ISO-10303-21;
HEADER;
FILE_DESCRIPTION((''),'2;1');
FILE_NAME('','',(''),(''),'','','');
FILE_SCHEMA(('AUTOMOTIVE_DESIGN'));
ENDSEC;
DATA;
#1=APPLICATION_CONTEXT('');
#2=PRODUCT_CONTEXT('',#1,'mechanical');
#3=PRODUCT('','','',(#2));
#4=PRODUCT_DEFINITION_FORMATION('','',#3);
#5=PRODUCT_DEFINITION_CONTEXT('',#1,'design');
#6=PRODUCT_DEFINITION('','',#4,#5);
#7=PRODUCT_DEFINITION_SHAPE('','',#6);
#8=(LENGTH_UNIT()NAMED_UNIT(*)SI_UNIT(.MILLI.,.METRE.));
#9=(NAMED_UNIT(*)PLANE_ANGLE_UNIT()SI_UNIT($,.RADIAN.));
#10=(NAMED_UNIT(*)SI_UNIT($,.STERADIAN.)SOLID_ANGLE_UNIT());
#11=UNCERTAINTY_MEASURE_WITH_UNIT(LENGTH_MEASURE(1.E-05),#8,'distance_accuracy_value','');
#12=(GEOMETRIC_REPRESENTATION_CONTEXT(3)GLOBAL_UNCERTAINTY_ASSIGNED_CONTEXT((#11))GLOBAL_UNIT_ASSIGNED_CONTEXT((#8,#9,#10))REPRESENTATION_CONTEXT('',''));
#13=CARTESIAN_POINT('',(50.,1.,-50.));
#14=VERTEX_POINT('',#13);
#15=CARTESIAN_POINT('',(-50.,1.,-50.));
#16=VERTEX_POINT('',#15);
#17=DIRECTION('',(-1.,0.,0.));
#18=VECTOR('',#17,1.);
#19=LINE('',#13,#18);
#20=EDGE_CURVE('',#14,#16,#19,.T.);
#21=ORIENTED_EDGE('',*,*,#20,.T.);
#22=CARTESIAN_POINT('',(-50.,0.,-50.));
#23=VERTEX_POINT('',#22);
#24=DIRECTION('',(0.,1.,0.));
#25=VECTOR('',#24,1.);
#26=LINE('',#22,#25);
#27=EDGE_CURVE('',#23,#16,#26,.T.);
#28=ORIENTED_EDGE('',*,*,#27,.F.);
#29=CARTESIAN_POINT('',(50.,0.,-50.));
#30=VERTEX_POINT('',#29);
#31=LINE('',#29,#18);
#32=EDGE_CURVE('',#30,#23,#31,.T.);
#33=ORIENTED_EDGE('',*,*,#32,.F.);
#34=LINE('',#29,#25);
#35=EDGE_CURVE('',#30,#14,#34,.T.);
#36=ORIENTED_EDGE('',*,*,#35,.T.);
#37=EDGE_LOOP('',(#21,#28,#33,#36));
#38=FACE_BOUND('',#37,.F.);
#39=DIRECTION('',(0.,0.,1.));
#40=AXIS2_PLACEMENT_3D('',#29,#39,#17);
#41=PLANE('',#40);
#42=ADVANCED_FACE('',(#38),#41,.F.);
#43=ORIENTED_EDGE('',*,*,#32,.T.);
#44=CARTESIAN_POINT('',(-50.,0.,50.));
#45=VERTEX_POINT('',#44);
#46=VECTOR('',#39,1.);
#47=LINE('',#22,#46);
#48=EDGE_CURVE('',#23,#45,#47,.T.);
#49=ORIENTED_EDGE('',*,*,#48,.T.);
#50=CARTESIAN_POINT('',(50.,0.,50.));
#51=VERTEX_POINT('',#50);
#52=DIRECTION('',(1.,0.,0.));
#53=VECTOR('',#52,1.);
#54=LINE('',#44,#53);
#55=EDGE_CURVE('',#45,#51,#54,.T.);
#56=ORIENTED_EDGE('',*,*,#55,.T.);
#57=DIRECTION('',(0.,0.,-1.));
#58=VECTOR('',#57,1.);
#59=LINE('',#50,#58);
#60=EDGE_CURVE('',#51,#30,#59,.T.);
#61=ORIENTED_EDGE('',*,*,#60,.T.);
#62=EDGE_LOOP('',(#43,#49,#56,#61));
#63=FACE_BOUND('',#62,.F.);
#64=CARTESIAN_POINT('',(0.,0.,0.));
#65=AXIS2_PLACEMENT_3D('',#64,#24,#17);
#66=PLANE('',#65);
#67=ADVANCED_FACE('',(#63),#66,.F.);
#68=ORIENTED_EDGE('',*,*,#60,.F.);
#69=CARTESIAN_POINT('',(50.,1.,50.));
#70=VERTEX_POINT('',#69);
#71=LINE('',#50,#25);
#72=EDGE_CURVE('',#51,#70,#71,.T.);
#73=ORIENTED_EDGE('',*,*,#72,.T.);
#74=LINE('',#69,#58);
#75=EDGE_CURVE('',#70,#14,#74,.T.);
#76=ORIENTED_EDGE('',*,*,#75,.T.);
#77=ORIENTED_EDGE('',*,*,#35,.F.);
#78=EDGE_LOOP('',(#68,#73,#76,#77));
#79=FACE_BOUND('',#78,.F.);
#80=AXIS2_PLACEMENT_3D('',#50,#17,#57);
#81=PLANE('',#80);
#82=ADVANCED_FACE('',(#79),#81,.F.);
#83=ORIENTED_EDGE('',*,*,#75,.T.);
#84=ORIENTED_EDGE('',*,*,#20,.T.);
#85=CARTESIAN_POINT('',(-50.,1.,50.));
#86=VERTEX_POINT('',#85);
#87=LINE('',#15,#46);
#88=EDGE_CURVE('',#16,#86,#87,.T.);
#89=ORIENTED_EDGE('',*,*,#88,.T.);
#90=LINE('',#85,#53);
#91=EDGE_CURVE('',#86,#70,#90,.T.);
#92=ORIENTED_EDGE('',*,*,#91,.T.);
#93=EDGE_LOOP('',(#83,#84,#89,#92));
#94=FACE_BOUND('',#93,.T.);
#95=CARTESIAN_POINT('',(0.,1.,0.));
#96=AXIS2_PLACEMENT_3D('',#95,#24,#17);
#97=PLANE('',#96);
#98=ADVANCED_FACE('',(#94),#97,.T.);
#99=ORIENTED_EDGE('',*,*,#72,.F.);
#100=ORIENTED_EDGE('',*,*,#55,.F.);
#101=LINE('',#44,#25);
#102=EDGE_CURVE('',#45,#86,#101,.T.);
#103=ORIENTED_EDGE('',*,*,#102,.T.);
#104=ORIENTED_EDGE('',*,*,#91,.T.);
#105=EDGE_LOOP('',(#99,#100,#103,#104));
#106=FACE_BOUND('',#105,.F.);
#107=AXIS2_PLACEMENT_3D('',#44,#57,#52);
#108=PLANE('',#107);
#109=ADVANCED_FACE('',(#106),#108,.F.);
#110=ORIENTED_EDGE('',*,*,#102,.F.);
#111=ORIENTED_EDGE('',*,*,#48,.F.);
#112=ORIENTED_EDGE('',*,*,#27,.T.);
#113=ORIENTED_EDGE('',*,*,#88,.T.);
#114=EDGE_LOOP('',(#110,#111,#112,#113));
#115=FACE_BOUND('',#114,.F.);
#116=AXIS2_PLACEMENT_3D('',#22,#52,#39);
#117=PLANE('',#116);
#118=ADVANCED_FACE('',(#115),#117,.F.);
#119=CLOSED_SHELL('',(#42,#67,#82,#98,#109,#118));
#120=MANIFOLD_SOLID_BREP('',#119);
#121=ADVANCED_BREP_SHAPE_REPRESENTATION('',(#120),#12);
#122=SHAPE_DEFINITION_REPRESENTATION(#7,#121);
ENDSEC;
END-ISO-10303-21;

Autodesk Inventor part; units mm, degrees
ref_plane "YZ Plane" through (0, 0, 0) normal (1, 0, 0) x (0, 1, 0)
ref_plane "XZ Plane" through (0, 0, 0) normal (0, 1, 0) x (-1, 0, 0)
ref_plane "XY Plane" through (0, 0, 0) normal (0, 0, 1) x (1, 0, 0)
sketch "Szkic1" plane through (0, 0, 0) normal (0, 1, 0) x (-1, 0, 0)
  line L0 (50, 50) -> (-50, 50)
  line L1 (-50, 50) -> (-50, -50)
  line L2 (-50, -50) -> (50, -50)
  line L3 (50, -50) -> (50, 50)
  point P0 (0, 0)
  dimension "d0" = 50
  dimension "d1" = 100
  dimension "d2" = 100
  dimension "d3" = 50
extrude "Wyciągnięcie proste1" add sketch "Szkic1" along normal blind 1
properties part number "pcb" material "Szkło"
